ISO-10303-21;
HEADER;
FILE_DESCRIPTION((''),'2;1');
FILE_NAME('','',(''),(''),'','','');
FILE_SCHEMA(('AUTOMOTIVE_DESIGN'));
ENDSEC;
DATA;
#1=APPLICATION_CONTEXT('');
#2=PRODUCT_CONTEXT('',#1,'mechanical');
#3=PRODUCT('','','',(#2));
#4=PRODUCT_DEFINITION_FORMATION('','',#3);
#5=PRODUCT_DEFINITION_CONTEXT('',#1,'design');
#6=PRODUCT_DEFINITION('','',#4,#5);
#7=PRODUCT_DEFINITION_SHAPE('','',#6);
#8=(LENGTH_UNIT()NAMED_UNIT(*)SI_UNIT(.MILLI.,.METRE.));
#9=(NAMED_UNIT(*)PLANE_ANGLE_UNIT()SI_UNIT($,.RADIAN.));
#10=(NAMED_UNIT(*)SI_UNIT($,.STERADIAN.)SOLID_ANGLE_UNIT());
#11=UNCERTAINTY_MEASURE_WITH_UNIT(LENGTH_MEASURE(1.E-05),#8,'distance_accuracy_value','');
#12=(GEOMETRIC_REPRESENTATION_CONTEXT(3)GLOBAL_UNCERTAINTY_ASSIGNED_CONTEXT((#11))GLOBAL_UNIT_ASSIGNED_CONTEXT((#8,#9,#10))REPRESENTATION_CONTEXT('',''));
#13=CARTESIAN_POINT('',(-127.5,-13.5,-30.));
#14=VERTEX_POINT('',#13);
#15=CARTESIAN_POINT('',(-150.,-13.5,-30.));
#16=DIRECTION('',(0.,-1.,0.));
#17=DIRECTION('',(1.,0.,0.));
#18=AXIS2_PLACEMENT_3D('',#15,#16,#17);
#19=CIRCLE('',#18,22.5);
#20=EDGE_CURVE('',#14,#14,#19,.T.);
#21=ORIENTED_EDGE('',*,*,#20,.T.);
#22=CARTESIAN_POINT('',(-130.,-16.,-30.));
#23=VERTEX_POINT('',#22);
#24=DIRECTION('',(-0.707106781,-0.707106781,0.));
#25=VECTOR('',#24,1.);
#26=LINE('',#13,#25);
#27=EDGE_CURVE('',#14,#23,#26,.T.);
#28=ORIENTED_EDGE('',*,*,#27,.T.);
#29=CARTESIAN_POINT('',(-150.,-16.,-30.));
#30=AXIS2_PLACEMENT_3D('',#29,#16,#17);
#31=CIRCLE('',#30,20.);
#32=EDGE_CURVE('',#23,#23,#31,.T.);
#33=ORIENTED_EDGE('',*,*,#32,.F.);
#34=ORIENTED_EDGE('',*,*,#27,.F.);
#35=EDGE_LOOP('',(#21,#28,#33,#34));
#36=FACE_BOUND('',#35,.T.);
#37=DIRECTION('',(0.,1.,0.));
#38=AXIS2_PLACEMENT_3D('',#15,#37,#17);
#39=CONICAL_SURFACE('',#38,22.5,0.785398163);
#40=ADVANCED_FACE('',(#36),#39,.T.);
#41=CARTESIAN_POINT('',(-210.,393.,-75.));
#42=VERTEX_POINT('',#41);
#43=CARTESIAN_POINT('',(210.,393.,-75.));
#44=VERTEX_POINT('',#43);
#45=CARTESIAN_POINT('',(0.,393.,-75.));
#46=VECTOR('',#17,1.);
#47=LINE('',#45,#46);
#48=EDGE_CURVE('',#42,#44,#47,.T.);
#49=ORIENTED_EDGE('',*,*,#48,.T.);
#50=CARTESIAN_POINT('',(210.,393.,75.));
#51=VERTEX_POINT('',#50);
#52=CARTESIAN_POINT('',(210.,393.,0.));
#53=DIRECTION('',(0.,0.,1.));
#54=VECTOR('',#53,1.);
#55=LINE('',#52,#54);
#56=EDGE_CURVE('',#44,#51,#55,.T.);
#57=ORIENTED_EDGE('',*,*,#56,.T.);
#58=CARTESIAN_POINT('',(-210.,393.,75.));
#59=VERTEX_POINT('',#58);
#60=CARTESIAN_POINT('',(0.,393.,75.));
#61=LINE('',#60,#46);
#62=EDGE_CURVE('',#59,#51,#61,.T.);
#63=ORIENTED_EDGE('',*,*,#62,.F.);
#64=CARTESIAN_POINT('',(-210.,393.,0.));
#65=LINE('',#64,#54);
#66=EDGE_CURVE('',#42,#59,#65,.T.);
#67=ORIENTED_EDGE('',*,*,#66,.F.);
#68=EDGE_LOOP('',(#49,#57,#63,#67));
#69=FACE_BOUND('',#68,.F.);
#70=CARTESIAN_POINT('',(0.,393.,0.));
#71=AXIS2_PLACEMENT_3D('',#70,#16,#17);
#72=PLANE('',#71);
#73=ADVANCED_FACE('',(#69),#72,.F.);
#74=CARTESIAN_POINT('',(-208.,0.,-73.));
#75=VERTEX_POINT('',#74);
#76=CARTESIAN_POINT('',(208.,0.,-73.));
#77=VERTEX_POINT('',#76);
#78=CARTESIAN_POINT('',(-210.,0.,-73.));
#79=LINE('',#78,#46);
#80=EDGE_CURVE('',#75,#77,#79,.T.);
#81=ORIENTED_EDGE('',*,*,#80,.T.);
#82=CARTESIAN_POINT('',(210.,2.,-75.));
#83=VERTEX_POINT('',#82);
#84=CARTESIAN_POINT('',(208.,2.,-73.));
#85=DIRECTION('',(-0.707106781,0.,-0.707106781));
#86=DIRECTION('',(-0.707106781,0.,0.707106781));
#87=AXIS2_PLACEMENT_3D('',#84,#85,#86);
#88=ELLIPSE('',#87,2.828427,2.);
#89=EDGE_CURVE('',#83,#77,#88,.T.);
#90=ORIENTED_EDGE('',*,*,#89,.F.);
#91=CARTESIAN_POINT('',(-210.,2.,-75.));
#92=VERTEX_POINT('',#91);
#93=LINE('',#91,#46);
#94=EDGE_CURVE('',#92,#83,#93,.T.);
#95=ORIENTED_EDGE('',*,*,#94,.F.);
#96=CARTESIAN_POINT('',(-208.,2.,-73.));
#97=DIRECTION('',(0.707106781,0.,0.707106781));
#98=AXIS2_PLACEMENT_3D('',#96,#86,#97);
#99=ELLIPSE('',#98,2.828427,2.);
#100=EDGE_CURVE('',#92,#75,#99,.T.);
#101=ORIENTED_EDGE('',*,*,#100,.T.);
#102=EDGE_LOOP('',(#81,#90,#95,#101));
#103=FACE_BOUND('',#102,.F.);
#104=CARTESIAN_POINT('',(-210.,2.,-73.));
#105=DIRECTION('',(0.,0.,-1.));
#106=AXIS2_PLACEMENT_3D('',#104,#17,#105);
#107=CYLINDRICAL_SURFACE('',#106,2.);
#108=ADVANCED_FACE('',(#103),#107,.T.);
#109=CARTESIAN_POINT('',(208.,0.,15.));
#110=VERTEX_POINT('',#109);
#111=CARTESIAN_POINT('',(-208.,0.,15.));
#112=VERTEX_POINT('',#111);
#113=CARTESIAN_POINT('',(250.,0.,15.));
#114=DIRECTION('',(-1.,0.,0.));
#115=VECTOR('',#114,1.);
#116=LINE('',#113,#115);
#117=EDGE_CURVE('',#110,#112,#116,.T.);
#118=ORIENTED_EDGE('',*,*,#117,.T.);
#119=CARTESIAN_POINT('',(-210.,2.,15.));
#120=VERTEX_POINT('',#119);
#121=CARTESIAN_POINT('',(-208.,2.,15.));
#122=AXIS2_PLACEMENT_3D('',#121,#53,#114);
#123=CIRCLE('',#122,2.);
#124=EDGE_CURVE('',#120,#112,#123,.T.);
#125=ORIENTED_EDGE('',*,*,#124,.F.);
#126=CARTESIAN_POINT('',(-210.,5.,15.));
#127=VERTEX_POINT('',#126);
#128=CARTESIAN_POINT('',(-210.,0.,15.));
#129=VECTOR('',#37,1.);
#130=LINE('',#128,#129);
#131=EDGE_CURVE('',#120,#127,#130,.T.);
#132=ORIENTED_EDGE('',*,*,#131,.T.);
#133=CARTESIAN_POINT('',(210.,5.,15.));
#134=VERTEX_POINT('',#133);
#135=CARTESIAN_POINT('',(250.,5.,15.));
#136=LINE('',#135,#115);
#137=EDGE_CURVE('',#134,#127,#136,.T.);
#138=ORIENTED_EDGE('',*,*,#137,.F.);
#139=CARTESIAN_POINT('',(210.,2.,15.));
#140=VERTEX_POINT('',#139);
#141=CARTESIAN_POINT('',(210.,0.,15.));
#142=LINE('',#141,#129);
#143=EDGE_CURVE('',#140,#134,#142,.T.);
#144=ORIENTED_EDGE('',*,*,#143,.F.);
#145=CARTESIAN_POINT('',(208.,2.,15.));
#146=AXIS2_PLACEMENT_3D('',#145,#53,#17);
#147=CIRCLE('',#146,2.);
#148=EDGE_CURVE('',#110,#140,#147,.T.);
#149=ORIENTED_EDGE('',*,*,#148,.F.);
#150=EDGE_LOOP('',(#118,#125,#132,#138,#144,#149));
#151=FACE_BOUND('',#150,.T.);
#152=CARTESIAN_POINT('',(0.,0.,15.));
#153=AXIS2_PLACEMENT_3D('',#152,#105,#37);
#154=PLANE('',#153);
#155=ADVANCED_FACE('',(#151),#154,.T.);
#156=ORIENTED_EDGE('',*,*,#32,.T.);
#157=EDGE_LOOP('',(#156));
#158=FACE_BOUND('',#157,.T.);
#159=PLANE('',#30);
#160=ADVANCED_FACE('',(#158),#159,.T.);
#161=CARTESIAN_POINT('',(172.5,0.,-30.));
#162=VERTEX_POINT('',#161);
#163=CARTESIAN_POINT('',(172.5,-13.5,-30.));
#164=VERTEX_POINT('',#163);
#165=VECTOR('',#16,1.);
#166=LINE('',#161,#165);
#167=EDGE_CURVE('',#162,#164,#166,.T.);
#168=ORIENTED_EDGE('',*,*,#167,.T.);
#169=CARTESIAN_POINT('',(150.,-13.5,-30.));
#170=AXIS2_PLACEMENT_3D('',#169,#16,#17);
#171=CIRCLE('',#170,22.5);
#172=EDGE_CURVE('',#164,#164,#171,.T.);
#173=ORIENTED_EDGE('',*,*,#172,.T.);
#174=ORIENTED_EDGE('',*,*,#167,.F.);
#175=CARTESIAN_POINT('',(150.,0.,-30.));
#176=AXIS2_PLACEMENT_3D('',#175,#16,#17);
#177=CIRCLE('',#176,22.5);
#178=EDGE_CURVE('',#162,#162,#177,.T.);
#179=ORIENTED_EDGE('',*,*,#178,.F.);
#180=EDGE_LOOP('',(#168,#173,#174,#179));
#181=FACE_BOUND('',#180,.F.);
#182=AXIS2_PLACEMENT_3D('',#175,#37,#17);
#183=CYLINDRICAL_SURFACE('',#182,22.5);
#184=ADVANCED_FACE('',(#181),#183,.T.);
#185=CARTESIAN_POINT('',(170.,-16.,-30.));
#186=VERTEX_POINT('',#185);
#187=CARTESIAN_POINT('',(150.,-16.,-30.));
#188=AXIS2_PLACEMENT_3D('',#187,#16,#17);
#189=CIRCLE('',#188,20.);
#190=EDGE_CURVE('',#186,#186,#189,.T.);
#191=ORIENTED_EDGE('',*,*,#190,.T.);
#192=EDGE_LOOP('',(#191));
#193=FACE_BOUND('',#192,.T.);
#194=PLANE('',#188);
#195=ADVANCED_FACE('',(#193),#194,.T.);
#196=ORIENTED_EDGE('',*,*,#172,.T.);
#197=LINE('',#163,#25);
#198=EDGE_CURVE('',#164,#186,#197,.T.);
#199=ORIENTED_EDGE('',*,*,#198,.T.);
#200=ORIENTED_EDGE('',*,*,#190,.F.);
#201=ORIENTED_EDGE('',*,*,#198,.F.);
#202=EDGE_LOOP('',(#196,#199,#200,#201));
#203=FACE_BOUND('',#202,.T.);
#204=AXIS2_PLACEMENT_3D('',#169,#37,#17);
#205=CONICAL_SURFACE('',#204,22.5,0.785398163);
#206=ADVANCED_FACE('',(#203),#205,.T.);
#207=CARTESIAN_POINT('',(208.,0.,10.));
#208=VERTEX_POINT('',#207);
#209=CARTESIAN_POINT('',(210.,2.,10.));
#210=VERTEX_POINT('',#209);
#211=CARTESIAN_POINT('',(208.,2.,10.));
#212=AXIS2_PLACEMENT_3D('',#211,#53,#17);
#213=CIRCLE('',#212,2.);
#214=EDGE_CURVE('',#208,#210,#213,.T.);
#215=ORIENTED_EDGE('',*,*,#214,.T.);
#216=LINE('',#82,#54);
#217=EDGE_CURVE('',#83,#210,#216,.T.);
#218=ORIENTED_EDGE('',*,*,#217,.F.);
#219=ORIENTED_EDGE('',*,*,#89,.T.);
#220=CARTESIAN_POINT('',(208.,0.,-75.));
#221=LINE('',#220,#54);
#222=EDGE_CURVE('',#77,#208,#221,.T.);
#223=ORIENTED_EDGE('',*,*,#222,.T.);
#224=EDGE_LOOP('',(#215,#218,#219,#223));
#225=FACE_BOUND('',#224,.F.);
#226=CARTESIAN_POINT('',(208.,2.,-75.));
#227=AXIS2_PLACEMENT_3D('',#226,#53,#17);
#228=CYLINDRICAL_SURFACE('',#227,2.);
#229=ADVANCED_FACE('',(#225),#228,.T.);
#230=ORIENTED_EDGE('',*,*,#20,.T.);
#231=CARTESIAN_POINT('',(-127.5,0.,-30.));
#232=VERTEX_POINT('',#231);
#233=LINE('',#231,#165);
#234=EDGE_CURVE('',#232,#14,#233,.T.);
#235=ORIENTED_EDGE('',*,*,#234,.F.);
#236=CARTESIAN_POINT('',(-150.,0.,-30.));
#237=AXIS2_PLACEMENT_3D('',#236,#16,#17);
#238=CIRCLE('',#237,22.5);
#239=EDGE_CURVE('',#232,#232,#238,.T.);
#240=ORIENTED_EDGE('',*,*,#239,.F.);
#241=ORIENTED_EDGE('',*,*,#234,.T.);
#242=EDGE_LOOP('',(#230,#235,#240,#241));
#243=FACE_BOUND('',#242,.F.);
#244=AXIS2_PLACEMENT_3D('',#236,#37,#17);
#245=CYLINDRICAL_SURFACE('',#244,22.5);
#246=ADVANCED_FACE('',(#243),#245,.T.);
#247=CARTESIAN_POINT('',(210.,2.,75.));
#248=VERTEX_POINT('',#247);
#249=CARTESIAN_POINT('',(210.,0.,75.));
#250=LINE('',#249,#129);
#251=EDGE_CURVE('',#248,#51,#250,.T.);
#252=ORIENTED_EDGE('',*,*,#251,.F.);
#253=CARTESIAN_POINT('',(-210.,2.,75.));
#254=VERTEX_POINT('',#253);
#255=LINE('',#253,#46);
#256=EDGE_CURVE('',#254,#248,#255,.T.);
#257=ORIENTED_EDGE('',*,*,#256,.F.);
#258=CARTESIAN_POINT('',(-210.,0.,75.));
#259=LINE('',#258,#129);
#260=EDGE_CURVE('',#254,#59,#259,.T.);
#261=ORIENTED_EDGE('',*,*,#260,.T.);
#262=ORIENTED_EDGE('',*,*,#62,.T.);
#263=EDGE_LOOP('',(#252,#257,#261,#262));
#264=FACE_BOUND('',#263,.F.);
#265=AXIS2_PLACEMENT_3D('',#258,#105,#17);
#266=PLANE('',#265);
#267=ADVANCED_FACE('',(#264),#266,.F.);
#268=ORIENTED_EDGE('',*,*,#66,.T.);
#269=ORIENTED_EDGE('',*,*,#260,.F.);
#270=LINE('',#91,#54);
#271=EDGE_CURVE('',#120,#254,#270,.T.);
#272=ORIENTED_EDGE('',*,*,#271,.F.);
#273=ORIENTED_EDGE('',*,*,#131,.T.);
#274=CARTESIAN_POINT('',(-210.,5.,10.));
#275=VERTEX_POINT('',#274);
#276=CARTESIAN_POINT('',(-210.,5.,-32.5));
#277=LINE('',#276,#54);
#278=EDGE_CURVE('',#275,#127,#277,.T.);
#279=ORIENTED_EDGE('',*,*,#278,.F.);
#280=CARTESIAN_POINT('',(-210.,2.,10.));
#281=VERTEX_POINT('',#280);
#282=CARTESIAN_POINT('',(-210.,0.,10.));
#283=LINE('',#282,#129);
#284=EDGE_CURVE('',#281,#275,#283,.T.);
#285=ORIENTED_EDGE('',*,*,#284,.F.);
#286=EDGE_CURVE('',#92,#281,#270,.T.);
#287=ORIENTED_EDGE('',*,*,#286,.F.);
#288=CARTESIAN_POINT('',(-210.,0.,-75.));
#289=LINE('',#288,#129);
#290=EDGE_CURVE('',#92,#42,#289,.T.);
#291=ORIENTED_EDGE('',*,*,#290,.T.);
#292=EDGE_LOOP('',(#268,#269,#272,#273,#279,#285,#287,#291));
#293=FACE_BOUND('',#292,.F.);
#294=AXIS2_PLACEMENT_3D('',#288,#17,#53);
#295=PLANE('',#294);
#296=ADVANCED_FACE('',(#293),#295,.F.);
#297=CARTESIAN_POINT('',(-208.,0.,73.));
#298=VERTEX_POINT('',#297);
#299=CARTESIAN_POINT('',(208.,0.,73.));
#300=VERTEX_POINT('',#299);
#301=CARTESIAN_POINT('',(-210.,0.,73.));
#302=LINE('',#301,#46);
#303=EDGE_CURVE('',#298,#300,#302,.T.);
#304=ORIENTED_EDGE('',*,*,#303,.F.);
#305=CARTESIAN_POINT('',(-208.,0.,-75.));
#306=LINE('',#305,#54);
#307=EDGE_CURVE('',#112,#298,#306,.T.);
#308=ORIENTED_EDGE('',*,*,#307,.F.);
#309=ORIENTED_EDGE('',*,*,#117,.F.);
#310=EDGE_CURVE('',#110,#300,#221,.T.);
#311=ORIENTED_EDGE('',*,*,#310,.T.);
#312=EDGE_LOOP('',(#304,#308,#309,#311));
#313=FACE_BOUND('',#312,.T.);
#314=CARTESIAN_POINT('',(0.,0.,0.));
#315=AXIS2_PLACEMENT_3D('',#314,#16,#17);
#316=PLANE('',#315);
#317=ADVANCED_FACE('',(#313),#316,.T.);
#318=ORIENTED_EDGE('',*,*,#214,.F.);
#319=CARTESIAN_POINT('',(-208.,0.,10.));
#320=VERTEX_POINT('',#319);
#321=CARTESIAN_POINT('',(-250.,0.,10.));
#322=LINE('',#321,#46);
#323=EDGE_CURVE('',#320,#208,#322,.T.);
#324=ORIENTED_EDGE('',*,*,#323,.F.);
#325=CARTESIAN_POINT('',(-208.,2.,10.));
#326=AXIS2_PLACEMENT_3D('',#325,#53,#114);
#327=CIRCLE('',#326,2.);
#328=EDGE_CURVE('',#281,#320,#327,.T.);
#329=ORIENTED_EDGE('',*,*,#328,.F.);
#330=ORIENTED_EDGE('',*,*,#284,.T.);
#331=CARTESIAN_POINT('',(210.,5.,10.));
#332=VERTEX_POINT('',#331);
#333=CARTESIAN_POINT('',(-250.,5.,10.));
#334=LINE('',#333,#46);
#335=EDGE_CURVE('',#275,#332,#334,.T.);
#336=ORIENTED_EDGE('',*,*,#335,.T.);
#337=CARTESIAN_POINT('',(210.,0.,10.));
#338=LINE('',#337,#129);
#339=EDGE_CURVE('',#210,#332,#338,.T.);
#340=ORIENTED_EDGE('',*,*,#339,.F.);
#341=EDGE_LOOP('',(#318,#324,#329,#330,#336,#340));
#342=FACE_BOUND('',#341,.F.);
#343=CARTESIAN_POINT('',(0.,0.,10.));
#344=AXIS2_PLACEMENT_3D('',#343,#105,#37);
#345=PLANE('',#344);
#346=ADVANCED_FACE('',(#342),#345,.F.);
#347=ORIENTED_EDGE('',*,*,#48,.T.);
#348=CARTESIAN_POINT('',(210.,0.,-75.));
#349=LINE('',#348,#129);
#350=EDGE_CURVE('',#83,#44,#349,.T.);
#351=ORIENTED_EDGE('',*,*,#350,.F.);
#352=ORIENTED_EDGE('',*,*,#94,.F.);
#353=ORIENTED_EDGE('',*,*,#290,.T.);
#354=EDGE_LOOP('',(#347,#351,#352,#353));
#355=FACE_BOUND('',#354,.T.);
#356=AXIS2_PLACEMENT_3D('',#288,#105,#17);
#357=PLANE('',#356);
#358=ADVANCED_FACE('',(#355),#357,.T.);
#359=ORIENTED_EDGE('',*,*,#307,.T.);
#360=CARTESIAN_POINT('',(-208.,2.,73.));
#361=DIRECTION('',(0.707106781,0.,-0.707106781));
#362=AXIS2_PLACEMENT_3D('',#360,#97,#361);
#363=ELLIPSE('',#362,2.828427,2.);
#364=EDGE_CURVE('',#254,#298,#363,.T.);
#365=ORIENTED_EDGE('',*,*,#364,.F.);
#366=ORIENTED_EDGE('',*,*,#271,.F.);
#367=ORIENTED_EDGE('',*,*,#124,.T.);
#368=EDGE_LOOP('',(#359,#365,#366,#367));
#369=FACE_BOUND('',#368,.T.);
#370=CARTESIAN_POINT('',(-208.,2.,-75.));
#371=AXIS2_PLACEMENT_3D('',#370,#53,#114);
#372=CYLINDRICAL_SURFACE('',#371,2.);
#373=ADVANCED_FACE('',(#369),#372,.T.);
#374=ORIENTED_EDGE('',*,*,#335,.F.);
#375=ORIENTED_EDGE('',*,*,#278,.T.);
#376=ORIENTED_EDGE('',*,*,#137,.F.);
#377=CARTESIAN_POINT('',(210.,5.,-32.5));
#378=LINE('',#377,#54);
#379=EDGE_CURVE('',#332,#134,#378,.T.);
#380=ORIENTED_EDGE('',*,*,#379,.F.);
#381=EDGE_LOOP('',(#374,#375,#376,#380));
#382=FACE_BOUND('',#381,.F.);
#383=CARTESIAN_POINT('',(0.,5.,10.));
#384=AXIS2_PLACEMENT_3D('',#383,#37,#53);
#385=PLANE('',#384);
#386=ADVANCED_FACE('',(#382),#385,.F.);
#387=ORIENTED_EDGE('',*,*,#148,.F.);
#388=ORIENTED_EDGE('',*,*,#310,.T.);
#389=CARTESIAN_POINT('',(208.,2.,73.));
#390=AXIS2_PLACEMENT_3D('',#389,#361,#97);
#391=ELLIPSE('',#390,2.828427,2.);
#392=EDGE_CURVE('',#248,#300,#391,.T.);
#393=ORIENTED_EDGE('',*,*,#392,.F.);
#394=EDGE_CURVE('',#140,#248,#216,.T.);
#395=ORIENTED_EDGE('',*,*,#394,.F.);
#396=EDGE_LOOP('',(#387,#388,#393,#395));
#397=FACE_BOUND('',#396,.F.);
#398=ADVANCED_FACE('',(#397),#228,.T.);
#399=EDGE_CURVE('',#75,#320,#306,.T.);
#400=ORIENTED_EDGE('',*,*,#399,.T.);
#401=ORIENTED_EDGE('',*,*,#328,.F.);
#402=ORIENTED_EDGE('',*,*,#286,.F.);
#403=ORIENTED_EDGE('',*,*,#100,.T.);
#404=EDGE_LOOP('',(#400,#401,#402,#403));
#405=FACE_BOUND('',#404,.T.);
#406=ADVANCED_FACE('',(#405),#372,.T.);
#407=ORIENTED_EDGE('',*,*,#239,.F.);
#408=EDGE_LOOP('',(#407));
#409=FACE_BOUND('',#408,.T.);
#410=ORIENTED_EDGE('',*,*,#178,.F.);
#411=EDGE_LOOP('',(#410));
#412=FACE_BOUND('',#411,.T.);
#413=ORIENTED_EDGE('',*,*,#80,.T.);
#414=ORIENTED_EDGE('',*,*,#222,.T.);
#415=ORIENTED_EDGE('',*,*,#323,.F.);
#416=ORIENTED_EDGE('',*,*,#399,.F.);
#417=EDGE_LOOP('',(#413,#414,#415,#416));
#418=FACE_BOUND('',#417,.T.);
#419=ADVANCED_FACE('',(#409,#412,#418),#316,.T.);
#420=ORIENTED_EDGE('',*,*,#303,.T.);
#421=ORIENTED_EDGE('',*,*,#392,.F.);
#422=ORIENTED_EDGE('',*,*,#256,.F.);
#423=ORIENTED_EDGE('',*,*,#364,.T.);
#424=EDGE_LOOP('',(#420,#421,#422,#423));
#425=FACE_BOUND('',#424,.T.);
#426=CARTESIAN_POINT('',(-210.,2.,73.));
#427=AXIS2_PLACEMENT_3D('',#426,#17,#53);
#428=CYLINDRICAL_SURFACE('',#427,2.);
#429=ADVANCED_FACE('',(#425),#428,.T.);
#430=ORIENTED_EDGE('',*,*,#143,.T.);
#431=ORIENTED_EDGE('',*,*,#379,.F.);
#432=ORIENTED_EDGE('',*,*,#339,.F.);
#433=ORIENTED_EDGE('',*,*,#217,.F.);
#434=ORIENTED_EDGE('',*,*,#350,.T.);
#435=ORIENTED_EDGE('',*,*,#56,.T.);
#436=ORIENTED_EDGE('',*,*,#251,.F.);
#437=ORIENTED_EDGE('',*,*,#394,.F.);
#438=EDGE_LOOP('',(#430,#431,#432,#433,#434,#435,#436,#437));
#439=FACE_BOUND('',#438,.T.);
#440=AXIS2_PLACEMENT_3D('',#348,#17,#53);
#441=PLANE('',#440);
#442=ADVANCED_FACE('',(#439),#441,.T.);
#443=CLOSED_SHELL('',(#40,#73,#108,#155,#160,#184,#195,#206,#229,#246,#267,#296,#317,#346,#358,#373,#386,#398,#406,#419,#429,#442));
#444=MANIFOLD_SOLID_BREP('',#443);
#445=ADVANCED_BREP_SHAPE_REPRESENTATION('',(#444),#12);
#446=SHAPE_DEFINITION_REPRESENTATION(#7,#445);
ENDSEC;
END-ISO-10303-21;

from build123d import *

# Parameters (mm, degrees)
F0_W     = 420
F0_H     = 150
F1_DEPTH = 393
F2_R     = 2
F3_R     = 22.5
F4_DEPTH = 16
F5_SIZE  = 2.5
F6_W     = 5
F6_H     = 5
F7_DEPTH = 250


with BuildPart() as f1:
    # F0 (on Front) → F1 (new body)
    with BuildSketch(Plane.XZ):
        Rectangle(F0_W, F0_H)
    extrude(amount=-F1_DEPTH)

    # F2
    f2_edges = [f1.edges().sort_by_distance(p)[0] for p in [
        (210, 0, 0),
        (0, 0, 75),
        (-210, 0, 0),
        (0, 0, -75),
    ]]
    fillet(f2_edges, radius=F2_R)

    # F3 (on face) → F4 (join)
    with BuildSketch(Plane.XZ):
        with Locations((-150, -30)):
            Circle(F3_R)
        with Locations((150, -30)):
            Circle(F3_R)
    extrude(amount=F4_DEPTH)

    # F5
    f5_edges = [f1.edges().sort_by_distance(p)[0] for p in [
        (-172.5, -16, -30),
        (127.5, -16, -30),
    ]]
    chamfer(f5_edges, length=F5_SIZE)

    # F6 (on Right) → F7 (cut, symmetric)
    with BuildSketch(Plane.YZ):
        with Locations((2.5, 12.5)):
            Rectangle(F6_W, F6_H)
    extrude(amount=F7_DEPTH, both=True, mode=Mode.SUBTRACT)


solid = f1.part
